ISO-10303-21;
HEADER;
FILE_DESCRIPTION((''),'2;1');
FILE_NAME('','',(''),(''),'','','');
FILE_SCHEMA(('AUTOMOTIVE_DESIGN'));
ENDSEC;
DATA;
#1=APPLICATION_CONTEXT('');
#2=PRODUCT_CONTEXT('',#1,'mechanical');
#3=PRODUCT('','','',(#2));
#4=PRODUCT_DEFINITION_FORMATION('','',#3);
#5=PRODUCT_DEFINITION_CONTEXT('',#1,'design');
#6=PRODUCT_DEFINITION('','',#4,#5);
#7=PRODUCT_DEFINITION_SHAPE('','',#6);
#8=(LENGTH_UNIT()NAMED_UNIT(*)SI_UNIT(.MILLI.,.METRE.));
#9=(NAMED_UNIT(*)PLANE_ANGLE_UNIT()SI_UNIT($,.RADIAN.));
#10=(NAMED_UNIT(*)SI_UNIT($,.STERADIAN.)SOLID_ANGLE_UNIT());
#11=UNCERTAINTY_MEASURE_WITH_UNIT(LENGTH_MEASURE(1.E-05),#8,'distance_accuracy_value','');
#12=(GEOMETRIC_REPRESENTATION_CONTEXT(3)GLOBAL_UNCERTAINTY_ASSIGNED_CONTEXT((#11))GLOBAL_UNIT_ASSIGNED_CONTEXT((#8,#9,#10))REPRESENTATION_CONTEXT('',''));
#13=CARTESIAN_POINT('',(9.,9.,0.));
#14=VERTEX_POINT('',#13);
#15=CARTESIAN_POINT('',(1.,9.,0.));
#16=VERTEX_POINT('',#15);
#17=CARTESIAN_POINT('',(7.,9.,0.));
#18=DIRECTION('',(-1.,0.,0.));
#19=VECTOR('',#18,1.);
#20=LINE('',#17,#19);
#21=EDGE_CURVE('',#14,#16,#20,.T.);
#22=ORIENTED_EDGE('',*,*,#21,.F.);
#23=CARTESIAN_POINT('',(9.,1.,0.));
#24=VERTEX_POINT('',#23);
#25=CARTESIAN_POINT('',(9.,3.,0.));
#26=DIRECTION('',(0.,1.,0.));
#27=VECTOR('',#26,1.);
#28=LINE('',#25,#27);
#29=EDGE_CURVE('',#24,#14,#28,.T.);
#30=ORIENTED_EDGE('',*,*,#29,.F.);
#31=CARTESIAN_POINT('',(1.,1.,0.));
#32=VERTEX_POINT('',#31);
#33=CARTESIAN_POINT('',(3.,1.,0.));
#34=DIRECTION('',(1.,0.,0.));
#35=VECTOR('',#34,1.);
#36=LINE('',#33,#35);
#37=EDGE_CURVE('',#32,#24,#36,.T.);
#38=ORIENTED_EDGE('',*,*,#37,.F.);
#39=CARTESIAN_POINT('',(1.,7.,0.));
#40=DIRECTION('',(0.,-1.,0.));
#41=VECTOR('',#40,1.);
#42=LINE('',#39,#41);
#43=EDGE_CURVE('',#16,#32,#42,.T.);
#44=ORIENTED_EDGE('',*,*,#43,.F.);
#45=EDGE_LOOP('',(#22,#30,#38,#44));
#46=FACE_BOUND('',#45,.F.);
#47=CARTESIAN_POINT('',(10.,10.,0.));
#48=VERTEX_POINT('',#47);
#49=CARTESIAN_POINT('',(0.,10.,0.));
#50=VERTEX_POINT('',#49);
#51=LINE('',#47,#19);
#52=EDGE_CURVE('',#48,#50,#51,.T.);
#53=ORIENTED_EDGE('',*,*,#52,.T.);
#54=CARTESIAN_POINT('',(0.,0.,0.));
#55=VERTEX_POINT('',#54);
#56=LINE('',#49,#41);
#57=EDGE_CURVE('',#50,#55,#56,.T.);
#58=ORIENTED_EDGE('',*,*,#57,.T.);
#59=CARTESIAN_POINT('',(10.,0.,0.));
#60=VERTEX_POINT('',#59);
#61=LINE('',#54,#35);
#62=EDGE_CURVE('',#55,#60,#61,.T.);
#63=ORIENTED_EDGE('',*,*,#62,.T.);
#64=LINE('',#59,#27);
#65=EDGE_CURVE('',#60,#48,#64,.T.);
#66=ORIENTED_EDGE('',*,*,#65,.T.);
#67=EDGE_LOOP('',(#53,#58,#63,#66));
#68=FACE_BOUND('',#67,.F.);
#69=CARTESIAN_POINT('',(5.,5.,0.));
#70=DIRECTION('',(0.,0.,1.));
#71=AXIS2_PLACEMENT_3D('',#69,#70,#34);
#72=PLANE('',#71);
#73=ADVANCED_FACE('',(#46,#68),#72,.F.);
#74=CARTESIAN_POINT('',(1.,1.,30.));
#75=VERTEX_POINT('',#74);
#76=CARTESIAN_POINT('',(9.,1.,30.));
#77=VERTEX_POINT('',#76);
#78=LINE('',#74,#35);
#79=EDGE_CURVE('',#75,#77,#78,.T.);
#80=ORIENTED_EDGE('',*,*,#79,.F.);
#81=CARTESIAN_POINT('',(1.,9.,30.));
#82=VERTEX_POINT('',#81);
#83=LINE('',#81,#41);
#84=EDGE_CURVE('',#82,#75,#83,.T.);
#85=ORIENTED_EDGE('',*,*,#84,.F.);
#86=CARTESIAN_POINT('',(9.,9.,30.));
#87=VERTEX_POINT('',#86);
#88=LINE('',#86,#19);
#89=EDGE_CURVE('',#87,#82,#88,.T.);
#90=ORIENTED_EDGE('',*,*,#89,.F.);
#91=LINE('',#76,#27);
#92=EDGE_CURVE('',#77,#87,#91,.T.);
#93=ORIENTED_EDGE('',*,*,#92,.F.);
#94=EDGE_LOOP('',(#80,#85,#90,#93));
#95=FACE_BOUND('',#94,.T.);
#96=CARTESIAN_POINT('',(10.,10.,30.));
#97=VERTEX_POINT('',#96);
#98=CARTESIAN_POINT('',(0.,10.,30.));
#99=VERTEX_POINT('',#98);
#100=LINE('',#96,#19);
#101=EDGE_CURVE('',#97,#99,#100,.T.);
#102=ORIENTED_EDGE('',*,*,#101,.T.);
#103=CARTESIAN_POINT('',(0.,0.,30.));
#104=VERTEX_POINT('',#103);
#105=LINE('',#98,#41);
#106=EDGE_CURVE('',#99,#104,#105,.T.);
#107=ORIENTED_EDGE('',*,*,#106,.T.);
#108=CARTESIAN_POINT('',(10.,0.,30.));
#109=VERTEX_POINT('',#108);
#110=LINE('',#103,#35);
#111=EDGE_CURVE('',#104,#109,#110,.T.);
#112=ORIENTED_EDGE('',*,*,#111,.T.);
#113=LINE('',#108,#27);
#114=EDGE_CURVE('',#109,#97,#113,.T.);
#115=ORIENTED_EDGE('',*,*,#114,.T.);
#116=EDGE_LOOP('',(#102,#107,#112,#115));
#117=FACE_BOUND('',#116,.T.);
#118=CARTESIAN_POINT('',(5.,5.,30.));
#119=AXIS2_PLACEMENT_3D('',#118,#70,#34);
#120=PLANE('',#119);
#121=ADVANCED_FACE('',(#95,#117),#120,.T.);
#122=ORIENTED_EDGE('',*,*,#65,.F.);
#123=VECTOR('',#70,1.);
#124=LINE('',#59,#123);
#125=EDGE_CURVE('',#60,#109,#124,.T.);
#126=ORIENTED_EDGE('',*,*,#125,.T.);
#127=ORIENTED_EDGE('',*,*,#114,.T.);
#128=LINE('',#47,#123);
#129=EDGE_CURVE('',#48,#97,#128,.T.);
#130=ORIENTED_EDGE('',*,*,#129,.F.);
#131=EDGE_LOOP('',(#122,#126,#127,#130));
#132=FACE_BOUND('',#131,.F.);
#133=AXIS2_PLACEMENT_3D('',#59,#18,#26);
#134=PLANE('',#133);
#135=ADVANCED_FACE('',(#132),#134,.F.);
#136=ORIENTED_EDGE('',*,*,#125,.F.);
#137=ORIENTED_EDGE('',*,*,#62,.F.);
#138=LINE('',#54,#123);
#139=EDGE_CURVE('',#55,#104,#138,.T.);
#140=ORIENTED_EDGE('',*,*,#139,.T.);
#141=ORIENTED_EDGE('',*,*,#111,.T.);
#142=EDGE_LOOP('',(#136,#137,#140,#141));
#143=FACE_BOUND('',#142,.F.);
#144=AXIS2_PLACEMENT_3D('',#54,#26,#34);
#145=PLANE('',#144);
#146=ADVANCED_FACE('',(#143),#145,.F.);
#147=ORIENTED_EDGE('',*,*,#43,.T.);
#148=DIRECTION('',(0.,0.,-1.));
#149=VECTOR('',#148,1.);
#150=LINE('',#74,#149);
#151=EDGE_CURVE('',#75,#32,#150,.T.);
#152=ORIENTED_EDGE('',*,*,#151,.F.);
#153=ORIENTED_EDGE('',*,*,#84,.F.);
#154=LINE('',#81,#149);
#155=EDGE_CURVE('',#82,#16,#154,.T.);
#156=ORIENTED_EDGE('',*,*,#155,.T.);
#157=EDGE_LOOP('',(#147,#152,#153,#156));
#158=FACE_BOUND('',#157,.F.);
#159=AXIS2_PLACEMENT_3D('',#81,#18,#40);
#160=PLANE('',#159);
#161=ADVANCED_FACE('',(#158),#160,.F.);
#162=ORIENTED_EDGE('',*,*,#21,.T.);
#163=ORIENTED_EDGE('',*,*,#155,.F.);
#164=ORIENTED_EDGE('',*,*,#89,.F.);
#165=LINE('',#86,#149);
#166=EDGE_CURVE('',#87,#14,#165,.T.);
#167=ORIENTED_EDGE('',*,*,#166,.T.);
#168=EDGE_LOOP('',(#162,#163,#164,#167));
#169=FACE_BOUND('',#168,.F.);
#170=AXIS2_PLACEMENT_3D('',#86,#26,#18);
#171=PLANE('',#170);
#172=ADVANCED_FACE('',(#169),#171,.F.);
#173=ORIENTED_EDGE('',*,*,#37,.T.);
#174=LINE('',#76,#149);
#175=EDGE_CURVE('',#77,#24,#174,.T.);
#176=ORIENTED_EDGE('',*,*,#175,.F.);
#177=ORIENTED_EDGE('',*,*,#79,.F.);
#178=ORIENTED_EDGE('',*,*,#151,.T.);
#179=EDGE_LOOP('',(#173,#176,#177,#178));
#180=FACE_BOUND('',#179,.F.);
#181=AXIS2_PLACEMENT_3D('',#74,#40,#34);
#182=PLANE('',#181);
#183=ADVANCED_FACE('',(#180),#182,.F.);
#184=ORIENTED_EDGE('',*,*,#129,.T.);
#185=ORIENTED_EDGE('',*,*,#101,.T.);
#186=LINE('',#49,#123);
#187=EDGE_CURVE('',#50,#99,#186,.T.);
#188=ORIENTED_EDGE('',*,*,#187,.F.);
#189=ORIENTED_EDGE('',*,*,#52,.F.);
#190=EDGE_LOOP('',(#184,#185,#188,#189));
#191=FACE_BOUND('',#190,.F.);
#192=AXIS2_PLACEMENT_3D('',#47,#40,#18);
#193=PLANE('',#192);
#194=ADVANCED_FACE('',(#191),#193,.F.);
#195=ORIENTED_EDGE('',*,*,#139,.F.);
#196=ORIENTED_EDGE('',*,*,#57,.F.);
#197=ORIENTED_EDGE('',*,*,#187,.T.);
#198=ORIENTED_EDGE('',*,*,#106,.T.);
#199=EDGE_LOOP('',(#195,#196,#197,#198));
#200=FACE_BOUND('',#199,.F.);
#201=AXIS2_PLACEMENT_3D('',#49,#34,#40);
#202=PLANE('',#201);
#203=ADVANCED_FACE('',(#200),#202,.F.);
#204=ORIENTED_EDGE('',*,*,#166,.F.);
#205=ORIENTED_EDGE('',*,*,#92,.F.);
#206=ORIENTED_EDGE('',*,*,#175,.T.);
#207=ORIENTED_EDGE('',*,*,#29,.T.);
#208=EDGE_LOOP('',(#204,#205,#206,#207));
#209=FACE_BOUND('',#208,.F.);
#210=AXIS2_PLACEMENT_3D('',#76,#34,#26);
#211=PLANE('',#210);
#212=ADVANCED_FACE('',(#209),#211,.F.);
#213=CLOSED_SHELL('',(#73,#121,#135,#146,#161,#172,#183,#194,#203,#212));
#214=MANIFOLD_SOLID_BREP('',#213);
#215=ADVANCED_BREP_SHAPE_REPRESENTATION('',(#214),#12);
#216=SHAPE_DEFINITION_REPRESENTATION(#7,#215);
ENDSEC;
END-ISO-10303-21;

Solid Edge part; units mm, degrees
sketch "Sketch1" plane through (0, 0, 0) normal (0, 0, 1) x (1, 0, 0)
  line L0 (0, 0) -> (10, 0)
  line L1 (10, 0) -> (10, 10)
  line L2 (10, 10) -> (0, 10)
  line L3 (0, 10) -> (0, 0)
extrude "Protrusion1" add sketch "Sketch1" along normal blind 30
sketch "Sketch2" plane through (5, 5, 30) normal (0, 0, 1) x (1, 0, 0)
  line L0 (-4, -4) -> (4, -4)
  line L1 (4, -4) -> (4, 4)
  line L2 (4, 4) -> (-4, 4)
  line L3 (-4, 4) -> (-4, -4)
  dimension "D1" = 1
  dimension "D2" = 1
  dimension "D3" = 1
  dimension "D4" = 1
  dimension "D5" = 8
  dimension "D6" = 8
extrude "Ausschnitt_1" cut sketch "Sketch2" against normal blind 90.0702
